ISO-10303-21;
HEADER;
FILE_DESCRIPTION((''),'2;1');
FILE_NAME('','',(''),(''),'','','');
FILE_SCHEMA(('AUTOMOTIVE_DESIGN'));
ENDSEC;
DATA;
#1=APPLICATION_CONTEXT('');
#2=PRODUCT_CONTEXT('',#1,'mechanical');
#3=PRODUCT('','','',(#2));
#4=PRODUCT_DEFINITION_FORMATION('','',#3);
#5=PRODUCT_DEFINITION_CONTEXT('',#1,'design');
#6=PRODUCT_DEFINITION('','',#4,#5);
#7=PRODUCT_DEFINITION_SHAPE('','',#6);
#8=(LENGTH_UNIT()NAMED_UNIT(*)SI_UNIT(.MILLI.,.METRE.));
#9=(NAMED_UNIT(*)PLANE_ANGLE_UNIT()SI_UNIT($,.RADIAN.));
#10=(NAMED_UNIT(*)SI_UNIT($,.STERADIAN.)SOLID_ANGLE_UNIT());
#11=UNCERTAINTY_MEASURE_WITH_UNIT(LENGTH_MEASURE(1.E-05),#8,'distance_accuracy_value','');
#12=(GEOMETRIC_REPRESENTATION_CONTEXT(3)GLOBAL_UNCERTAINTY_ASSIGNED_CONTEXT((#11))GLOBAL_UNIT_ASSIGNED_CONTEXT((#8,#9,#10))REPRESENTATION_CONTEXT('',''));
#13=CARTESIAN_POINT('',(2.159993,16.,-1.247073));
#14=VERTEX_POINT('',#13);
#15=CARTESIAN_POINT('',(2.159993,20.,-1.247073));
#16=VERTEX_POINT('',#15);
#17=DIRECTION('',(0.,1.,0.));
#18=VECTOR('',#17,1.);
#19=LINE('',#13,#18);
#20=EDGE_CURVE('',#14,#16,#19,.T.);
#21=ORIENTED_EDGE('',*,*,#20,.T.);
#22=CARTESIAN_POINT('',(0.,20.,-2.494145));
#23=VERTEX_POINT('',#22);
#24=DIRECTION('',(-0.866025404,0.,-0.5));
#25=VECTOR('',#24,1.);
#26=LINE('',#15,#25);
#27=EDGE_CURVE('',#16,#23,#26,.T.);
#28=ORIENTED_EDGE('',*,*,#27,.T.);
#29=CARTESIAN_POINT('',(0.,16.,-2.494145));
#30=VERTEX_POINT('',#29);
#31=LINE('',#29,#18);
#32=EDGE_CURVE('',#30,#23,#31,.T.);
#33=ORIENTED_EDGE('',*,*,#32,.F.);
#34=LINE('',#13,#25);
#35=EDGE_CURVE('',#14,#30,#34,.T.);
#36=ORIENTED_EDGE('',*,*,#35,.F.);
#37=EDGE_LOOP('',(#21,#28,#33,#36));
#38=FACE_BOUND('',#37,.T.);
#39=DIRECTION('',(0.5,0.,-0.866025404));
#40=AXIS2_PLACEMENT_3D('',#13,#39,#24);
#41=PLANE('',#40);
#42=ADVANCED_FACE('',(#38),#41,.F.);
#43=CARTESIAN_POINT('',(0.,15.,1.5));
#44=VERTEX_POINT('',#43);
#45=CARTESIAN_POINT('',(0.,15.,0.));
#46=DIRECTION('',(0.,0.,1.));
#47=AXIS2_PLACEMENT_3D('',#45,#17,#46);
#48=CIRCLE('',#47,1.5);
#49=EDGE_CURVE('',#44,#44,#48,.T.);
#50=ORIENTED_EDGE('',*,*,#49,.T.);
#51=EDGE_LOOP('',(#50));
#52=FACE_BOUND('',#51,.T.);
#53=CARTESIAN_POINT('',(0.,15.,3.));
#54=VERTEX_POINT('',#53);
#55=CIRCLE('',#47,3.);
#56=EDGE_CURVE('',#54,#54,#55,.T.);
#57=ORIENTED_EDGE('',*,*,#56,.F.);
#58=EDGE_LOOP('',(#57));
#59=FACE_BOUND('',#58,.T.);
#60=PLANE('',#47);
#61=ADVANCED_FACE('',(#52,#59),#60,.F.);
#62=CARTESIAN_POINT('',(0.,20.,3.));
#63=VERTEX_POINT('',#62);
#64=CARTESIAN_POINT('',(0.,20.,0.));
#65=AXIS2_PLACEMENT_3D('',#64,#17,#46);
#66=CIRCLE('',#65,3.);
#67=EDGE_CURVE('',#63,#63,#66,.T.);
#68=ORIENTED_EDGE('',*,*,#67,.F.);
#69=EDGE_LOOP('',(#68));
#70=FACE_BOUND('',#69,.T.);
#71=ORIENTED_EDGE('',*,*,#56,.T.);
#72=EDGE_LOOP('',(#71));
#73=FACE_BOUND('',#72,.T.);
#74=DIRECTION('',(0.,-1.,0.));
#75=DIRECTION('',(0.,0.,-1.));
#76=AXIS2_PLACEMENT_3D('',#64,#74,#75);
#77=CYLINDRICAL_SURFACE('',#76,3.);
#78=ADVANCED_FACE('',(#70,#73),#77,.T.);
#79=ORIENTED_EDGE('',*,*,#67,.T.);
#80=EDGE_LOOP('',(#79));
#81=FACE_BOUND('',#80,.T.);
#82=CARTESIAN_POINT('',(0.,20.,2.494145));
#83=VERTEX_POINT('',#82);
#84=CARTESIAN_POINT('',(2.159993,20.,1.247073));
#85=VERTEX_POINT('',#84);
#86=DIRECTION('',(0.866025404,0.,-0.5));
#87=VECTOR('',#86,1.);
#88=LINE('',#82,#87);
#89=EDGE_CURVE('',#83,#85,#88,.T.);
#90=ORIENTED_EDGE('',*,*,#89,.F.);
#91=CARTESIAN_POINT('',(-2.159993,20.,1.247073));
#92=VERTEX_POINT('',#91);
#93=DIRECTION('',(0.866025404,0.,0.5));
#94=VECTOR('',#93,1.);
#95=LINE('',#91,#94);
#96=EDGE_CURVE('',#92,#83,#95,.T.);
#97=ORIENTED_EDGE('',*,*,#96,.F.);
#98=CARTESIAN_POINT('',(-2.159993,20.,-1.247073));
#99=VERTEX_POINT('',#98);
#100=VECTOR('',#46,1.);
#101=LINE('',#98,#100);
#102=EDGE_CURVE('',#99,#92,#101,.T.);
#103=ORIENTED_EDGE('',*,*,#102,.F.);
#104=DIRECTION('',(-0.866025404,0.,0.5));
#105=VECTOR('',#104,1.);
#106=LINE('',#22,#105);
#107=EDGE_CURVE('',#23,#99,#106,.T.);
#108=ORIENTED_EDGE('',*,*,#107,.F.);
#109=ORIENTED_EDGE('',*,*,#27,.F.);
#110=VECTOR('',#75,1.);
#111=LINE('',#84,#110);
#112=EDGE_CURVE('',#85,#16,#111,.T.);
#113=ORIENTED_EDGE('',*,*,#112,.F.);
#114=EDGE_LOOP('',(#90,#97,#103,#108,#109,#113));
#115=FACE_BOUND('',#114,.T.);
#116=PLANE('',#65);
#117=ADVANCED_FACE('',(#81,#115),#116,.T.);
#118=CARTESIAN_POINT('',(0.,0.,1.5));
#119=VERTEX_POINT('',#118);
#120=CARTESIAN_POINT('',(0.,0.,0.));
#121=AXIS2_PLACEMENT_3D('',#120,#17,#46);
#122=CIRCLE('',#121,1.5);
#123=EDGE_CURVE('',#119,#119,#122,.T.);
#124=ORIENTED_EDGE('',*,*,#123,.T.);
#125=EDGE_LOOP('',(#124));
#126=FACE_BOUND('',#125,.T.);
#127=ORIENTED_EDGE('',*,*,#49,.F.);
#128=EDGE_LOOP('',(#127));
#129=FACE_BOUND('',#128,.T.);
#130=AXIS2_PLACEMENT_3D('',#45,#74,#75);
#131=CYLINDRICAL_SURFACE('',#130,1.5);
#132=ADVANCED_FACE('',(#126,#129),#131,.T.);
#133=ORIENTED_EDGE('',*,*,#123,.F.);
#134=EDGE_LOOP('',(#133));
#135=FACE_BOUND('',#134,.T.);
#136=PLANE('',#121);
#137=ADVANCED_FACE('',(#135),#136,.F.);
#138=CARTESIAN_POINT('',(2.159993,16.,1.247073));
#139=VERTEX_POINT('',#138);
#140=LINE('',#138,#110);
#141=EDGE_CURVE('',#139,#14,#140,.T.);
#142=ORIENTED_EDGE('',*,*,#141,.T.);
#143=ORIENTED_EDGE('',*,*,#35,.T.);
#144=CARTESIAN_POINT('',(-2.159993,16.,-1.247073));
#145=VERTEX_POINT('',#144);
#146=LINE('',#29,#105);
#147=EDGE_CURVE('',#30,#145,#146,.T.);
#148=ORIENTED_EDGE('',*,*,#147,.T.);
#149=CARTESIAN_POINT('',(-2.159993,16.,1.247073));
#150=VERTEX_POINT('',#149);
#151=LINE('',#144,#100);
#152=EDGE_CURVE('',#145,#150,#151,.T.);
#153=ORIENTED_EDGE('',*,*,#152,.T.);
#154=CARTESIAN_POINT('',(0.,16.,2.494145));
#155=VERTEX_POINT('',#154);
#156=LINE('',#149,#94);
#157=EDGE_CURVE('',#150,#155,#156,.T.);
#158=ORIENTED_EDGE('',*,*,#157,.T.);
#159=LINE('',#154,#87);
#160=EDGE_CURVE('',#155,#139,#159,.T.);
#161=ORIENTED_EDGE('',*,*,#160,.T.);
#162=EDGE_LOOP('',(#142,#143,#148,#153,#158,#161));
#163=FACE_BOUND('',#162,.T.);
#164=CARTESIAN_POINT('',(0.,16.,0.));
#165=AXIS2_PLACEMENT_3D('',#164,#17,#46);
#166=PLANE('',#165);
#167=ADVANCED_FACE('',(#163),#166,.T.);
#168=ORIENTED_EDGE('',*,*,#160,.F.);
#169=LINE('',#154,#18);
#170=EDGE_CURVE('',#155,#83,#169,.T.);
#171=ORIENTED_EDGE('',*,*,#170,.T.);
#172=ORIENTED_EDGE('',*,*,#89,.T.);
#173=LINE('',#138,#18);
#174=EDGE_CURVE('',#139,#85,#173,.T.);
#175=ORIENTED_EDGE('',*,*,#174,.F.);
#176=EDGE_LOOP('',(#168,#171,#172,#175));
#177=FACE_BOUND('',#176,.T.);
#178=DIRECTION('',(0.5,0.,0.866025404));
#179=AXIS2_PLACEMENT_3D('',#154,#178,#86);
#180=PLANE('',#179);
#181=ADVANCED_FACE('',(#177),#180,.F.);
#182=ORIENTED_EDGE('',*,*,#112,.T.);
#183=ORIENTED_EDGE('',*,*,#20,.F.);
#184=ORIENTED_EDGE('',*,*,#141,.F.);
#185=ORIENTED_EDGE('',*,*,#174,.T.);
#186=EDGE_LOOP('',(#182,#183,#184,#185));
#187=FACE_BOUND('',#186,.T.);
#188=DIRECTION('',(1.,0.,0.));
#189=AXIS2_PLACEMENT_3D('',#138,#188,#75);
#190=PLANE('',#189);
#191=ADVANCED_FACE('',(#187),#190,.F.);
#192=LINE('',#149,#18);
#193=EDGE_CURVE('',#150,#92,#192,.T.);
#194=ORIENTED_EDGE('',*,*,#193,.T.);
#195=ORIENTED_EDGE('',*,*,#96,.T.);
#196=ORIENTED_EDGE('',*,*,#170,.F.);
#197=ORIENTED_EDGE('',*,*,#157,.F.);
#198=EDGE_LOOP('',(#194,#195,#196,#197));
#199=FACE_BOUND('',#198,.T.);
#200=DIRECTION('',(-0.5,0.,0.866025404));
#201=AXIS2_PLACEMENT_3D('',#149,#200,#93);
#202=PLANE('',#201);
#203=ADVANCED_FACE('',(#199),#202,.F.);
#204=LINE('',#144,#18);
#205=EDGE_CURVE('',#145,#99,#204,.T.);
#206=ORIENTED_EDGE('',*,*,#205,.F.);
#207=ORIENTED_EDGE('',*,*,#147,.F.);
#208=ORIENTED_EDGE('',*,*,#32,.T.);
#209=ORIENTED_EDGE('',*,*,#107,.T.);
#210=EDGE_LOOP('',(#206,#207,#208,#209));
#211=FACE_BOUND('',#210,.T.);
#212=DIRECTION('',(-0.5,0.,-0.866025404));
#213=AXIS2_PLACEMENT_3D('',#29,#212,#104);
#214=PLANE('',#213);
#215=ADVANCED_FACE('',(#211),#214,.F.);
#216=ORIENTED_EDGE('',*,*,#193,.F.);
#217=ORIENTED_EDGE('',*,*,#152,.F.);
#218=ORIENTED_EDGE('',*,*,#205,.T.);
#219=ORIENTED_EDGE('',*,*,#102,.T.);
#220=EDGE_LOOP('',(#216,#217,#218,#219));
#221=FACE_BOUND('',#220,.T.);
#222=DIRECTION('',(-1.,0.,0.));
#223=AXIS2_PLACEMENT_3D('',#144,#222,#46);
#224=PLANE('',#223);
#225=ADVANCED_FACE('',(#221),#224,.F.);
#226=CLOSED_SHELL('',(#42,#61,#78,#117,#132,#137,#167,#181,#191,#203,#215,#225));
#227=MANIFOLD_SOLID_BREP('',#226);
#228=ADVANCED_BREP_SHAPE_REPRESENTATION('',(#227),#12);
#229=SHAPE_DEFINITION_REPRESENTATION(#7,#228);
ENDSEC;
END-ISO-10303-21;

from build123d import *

# Parameters (mm, degrees)
ESQUISSE1_R             = 1.5
BOSS_EXTRU_1_DEPTH      = 15
ESQUISSE2_R             = 3
BOSS_EXTRU_2_DEPTH      = 5
ENL_V_MAT_EXTRU_1_DEPTH = 4


with BuildPart() as part:
    # Esquisse1 → Boss.-Extru.1 (new body)
    with BuildSketch(Plane(origin=(0, 0, 0), x_dir=(1, 0, 0), z_dir=(0, 1, 0))):
        with Locations(Location((0, 0, 0), (0, 0, 270))):
            Circle(ESQUISSE1_R)
    extrude(amount=BOSS_EXTRU_1_DEPTH)

    # Esquisse2 → Boss.-Extru.2 (add)
    with BuildSketch(Plane(origin=(0, 15, 0), x_dir=(1, 0, 0), z_dir=(0, 1, 0))):
        with Locations(Location((0, 0, 0), (0, 0, 270))):
            Circle(ESQUISSE2_R)
    extrude(amount=BOSS_EXTRU_2_DEPTH)

    # Esquisse3 → Enlèv. mat.-Extru.1 (cut)
    with BuildSketch(Plane(origin=(0, 20, 0), x_dir=(1, 0, 0), z_dir=(0, 1, 0))):
        Polygon((0, 2.494145106), (-2.159993023, 1.247072553), (-2.159993023, -1.247072553), (0, -2.494145106), (2.159993023, -1.247072553), (2.159993023, 1.247072553), align=None)
    extrude(amount=-ENL_V_MAT_EXTRU_1_DEPTH, mode=Mode.SUBTRACT)


solid = part.part
